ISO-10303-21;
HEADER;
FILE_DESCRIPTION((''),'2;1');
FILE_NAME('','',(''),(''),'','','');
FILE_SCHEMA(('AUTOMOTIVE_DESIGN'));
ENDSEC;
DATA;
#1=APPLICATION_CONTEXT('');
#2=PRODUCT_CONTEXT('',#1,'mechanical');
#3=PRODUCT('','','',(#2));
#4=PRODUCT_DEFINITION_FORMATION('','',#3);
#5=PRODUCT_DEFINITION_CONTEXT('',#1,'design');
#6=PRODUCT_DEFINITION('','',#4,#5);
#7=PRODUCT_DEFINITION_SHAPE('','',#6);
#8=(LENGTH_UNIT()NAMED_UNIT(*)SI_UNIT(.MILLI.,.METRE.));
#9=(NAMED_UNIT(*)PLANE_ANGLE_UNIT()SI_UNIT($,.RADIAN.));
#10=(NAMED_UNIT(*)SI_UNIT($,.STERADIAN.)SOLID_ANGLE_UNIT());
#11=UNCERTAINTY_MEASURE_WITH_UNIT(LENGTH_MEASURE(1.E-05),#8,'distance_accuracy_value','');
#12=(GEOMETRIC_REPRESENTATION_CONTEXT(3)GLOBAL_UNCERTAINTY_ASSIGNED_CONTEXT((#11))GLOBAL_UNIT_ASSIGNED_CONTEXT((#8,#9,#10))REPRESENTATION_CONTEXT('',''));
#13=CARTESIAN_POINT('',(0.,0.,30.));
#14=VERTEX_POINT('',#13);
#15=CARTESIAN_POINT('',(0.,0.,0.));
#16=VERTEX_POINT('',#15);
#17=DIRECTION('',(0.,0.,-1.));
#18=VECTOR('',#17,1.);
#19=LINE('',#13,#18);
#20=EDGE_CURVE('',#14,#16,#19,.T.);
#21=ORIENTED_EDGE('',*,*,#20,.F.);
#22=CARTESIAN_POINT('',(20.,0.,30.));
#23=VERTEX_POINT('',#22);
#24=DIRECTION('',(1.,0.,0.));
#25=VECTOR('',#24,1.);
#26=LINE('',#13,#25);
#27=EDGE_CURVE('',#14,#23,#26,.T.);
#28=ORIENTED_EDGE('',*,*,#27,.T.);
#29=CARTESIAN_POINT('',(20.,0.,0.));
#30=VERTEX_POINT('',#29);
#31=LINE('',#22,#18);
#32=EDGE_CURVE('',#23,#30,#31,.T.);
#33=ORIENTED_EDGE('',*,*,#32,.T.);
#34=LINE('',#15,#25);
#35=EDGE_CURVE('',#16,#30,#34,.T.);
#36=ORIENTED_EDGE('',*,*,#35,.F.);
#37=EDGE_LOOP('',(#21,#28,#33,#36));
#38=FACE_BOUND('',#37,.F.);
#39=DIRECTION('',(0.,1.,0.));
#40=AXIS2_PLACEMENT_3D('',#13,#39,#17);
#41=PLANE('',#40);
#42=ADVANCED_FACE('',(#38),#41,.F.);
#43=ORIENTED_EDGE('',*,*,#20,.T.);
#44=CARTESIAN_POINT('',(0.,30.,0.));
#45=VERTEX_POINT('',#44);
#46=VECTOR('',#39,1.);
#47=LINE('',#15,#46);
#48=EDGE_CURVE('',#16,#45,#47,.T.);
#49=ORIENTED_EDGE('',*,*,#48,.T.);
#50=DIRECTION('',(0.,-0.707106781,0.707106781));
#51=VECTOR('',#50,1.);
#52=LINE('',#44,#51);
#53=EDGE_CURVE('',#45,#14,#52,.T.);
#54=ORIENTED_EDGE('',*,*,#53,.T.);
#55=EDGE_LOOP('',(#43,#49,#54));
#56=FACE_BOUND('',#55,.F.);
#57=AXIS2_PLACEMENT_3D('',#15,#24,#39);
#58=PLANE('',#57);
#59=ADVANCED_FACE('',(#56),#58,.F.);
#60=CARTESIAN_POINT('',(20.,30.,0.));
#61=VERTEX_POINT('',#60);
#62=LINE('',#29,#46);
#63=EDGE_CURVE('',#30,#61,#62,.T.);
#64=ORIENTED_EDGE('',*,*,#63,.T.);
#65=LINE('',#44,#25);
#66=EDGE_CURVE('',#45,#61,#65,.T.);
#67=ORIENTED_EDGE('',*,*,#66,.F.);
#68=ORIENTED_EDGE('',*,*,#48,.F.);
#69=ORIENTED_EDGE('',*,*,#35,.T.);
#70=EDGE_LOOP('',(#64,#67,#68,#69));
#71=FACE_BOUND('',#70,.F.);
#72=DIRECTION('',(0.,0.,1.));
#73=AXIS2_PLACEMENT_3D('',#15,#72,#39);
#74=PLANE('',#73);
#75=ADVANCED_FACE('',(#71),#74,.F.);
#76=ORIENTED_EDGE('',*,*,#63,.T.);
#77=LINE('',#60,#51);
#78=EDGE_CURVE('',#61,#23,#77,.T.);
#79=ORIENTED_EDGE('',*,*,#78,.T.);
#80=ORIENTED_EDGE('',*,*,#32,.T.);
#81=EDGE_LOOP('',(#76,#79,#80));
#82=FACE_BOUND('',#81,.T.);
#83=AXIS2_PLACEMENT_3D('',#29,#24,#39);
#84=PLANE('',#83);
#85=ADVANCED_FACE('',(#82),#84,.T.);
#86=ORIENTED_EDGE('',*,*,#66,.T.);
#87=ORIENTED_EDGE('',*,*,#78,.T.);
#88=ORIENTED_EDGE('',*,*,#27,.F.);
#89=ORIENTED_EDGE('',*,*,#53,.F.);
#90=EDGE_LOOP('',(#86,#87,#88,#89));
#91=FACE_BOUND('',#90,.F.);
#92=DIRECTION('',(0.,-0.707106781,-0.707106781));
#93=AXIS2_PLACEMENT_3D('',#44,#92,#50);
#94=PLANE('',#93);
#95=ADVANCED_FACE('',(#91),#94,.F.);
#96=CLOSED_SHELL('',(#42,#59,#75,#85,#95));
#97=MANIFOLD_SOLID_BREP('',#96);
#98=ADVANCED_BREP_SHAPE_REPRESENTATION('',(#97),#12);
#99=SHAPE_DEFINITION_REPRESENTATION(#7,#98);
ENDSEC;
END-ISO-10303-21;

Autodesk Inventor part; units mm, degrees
ref_plane "YZ Plane" through (0, 0, 0) normal (1, 0, 0) x (0, 1, 0)
ref_plane "XZ Plane" through (0, 0, 0) normal (0, 1, 0) x (-1, 0, 0)
ref_plane "XY Plane" through (0, 0, 0) normal (0, 0, 1) x (1, 0, 0)
sketch "Sketch1" plane through (0, 0, 0) normal (1, 0, 0) x (0, 1, 0)
  line L0 (0, 0) -> (30, 0)
  line L1 (30, 0) -> (0, 30)
  line L2 (0, 30) -> (0, 0)
  dimension "d0" = 30
  dimension "d1" = 30
extrude "Extrusion1" add sketch "Sketch1" along normal blind 20
properties part number "CornerBracket"
